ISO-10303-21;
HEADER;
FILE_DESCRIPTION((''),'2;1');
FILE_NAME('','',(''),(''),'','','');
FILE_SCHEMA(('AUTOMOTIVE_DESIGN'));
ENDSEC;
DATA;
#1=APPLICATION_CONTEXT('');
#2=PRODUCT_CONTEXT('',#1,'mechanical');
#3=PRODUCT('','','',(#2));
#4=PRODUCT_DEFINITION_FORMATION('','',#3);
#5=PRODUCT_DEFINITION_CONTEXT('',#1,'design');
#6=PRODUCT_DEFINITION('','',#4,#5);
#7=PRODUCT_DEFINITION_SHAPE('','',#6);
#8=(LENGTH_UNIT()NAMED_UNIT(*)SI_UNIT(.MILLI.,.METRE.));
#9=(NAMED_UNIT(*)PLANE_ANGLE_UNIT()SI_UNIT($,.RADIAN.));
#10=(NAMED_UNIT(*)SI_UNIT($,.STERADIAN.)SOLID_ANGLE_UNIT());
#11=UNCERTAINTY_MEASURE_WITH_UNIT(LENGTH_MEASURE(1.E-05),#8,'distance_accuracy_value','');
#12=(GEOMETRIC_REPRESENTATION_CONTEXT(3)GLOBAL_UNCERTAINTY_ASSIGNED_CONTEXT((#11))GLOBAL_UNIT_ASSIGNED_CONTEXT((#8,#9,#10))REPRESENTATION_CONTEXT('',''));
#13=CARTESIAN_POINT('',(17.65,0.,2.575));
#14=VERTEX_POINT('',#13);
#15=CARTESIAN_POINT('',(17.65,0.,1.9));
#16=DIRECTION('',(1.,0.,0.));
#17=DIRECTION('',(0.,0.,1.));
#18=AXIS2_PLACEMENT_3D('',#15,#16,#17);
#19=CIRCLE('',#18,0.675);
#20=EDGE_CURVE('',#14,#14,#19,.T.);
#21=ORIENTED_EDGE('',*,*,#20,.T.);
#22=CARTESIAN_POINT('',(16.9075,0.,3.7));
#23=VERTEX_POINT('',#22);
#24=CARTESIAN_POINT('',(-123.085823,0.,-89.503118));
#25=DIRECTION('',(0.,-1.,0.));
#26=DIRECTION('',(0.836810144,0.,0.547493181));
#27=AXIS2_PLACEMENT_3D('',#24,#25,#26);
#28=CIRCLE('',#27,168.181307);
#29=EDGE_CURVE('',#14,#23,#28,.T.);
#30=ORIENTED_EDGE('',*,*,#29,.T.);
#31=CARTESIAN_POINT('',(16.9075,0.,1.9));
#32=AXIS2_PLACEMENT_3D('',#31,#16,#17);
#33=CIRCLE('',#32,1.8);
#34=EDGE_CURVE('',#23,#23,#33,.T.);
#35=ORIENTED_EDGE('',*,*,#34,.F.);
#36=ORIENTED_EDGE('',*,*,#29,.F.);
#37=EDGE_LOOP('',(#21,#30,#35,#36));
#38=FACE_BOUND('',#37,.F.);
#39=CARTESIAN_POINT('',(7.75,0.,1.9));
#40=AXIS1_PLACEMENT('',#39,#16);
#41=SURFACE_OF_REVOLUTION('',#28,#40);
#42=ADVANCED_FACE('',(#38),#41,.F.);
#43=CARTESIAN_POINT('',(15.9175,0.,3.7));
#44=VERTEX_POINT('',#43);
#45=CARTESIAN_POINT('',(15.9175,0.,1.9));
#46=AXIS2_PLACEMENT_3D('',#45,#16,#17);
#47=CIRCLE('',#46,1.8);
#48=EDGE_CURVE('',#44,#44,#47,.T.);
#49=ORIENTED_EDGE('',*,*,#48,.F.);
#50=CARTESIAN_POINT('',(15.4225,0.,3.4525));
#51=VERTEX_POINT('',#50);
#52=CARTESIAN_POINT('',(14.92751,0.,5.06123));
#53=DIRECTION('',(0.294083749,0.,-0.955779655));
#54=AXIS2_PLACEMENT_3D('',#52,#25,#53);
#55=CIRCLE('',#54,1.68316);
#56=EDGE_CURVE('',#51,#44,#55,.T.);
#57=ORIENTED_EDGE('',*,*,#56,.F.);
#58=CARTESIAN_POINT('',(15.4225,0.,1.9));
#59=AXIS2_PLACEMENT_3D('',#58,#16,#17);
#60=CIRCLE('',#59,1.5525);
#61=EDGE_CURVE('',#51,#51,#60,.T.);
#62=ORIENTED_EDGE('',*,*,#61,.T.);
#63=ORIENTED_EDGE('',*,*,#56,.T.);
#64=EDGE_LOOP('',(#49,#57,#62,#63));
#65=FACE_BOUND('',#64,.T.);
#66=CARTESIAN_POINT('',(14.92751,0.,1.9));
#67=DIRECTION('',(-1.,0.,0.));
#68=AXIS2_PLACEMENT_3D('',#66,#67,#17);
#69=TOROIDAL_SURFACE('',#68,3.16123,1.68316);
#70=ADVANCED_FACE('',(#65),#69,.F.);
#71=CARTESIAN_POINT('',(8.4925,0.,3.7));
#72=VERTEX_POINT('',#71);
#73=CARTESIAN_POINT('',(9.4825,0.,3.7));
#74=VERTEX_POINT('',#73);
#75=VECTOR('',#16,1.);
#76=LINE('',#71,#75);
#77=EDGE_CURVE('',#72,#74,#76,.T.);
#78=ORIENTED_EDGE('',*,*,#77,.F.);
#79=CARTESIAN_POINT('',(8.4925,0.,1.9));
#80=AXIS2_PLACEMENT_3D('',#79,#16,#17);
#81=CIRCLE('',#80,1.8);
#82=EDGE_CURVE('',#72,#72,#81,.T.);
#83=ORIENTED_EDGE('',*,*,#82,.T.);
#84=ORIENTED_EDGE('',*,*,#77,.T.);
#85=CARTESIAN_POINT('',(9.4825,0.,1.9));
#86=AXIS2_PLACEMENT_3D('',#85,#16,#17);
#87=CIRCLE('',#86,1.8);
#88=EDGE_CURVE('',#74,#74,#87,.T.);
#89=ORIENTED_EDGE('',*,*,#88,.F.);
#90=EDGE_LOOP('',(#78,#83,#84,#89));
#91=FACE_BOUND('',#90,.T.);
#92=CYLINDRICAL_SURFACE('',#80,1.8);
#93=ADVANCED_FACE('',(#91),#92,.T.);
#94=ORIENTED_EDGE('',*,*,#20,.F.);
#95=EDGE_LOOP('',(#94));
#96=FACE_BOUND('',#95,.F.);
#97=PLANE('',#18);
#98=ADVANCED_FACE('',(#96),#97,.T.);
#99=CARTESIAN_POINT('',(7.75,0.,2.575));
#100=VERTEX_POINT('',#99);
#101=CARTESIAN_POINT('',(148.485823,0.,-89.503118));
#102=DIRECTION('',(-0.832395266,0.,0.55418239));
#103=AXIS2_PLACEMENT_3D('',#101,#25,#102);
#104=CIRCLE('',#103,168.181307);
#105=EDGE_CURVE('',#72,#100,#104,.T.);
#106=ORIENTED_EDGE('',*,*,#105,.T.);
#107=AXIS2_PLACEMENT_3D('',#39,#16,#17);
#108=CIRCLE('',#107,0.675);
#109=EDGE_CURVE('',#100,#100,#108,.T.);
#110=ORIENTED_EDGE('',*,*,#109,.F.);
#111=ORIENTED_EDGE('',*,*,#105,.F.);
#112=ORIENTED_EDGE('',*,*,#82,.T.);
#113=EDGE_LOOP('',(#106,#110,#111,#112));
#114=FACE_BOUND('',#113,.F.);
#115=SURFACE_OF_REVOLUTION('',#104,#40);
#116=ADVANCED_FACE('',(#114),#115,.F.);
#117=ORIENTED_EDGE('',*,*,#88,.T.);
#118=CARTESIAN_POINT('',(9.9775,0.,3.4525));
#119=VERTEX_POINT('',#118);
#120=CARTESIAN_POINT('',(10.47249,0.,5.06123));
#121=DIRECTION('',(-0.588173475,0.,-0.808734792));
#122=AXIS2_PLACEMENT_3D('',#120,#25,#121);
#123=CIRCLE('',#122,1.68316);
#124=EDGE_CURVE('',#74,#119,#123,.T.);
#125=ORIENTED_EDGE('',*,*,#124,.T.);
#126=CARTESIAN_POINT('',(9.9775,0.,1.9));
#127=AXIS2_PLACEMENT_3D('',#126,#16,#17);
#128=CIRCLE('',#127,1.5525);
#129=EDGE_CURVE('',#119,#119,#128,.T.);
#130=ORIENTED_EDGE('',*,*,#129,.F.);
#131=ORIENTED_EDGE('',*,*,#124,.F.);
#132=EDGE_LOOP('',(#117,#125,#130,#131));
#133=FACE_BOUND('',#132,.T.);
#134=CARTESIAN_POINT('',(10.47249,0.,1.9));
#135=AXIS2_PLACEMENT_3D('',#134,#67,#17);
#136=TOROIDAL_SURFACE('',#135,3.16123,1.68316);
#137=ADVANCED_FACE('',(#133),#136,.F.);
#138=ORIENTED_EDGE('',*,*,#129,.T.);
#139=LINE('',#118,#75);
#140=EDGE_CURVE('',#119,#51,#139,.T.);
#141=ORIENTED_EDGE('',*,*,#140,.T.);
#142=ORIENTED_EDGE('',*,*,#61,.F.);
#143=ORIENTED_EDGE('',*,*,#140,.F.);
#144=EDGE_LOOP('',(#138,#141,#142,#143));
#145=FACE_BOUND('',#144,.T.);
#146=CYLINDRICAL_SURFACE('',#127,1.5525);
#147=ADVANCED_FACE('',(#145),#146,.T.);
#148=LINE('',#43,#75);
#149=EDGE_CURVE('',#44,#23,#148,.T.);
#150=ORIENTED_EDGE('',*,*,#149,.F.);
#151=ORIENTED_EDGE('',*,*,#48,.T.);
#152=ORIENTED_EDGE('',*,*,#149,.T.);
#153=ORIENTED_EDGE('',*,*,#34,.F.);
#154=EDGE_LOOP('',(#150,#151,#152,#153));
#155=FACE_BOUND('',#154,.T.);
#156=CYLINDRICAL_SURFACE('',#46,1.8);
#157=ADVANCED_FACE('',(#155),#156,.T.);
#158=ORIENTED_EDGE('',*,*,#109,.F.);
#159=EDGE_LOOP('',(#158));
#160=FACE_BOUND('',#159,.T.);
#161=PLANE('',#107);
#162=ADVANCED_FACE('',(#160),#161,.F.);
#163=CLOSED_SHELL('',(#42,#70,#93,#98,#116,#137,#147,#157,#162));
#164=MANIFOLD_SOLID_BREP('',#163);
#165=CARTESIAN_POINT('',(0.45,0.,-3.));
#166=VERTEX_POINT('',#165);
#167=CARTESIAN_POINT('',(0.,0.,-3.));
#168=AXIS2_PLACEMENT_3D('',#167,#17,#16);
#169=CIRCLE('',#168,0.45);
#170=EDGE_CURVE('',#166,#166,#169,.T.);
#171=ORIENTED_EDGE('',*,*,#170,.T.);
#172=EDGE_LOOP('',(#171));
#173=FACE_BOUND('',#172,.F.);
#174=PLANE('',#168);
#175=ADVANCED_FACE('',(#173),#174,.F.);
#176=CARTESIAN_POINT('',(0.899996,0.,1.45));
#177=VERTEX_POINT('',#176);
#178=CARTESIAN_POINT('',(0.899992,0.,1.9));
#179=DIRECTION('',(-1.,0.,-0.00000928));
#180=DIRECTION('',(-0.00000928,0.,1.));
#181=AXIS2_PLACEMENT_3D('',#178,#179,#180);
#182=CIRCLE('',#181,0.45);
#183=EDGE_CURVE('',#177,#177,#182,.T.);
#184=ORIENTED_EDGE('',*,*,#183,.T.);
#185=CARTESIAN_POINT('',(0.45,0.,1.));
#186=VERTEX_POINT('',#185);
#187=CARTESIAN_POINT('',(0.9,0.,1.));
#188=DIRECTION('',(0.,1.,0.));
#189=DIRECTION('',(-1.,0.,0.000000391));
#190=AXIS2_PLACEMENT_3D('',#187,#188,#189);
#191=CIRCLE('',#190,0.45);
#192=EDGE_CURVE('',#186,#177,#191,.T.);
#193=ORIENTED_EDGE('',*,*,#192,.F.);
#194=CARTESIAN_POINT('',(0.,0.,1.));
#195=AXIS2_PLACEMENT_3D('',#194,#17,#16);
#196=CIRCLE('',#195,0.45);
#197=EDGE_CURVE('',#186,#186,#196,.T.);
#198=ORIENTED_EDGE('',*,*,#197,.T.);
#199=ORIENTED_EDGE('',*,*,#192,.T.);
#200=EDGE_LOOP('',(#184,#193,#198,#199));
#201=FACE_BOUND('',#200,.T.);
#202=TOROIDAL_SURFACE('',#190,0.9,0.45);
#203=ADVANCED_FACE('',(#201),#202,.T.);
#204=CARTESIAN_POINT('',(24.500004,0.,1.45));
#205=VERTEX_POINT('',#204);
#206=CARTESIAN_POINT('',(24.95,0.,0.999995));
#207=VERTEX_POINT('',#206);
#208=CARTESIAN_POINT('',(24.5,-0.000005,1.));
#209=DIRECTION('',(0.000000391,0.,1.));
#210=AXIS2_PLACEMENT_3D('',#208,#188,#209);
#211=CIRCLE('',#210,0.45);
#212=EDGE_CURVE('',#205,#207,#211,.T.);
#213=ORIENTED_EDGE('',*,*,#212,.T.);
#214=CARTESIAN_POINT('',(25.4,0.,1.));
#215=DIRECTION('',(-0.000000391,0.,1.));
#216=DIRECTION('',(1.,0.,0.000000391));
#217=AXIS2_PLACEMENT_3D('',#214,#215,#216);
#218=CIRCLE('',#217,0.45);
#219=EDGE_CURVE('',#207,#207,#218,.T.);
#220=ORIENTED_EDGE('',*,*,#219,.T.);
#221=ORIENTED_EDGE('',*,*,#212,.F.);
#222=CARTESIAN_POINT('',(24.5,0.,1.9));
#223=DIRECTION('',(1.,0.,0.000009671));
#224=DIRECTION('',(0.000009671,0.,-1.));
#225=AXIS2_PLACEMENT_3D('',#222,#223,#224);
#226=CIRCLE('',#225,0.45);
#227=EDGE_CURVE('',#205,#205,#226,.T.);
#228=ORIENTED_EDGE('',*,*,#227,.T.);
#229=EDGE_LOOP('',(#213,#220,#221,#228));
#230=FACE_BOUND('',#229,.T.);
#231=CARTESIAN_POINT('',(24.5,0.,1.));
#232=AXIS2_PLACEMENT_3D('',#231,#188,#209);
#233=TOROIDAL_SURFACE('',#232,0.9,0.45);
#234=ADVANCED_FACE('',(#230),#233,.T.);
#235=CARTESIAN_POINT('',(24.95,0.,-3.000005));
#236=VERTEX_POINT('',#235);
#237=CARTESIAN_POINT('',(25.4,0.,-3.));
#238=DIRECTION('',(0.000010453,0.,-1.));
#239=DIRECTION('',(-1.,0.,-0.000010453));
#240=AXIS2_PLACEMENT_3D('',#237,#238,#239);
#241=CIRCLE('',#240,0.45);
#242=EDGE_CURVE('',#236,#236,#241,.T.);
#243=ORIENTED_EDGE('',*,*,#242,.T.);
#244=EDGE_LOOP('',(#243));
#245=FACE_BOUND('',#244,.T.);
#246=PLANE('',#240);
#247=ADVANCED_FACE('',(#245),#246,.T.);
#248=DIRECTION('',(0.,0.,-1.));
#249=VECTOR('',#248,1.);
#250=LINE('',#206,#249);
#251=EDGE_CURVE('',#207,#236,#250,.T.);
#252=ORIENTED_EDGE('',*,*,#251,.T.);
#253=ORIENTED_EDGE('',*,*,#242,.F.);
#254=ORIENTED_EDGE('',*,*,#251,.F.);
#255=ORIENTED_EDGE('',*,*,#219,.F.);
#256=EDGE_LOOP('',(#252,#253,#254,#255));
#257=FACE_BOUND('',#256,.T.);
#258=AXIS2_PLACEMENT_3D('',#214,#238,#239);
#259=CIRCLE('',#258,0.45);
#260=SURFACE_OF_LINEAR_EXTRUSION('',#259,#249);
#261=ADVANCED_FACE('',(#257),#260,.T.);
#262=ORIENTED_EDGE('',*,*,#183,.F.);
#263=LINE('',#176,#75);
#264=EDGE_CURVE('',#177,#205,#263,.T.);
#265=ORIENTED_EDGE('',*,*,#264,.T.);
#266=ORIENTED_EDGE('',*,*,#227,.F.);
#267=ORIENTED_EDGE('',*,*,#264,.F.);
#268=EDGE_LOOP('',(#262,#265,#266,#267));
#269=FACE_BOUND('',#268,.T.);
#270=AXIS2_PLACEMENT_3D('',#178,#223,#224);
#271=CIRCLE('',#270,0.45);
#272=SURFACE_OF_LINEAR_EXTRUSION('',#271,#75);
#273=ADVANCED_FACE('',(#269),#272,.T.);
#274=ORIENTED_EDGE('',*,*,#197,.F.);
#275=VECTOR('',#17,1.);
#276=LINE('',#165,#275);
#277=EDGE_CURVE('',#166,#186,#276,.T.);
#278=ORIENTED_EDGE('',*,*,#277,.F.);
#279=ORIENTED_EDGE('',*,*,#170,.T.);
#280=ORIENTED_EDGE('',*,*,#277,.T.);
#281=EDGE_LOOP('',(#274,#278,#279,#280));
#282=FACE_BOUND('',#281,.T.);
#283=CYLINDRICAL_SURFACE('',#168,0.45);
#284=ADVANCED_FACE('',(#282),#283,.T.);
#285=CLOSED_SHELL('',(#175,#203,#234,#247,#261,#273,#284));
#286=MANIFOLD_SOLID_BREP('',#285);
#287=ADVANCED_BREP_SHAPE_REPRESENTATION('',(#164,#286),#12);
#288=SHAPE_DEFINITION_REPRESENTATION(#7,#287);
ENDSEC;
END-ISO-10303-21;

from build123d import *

# Parameters (mm, degrees)
SKETCH_R = 0.45


with BuildPart() as revolution:
    # Sketch002 → Revolution (revolve)
    with BuildSketch(Plane.XZ):
        with BuildLine():
            Line((8.4925, 3.7), (9.4825, 3.7))
            ThreePointArc((9.4825, 3.7), (9.719758, 3.555766), (9.9775, 3.4525))
            Line((9.9775, 3.4525), (15.4225, 3.4525))
            ThreePointArc((15.4225, 3.4525), (15.680242, 3.555766), (15.9175, 3.7))
            Line((15.9175, 3.7), (16.9075, 3.7))
            ThreePointArc((17.65, 2.575), (17.279877, 3.138244), (16.9075, 3.7))
            Line((17.65, 1.9), (17.65, 2.575))
            Line((7.75, 1.9), (17.65, 1.9))
            Line((7.75, 1.9), (7.75, 2.575))
            ThreePointArc((8.4925, 3.7), (8.120123, 3.138244), (7.75, 2.575))
        make_face()
    revolve(axis=Axis((7.75, 0, 1.9), (1, 0, 0)))


with BuildPart() as sweep_body:
    # Sweep: sweep along a path in Sketch001
    with BuildLine(Plane.XZ) as sweep_path:
        Line((0, -3), (0, 1))
        ThreePointArc((0, 1), (0.263601, 1.636393), (0.899992, 1.9))
        Line((0.899992, 1.9), (24.5, 1.9))
        ThreePointArc((24.5, 1.9), (25.136396, 1.636396), (25.4, 1))
        Line((25.4, 1), (25.4, -3))
    # Sketch → Sweep (sweep)
    with BuildSketch(Plane.XY.offset(-2)):
        Circle(SKETCH_R)
    sweep(path=sweep_path.line)


solid = Compound([revolution.part, sweep_body.part])
